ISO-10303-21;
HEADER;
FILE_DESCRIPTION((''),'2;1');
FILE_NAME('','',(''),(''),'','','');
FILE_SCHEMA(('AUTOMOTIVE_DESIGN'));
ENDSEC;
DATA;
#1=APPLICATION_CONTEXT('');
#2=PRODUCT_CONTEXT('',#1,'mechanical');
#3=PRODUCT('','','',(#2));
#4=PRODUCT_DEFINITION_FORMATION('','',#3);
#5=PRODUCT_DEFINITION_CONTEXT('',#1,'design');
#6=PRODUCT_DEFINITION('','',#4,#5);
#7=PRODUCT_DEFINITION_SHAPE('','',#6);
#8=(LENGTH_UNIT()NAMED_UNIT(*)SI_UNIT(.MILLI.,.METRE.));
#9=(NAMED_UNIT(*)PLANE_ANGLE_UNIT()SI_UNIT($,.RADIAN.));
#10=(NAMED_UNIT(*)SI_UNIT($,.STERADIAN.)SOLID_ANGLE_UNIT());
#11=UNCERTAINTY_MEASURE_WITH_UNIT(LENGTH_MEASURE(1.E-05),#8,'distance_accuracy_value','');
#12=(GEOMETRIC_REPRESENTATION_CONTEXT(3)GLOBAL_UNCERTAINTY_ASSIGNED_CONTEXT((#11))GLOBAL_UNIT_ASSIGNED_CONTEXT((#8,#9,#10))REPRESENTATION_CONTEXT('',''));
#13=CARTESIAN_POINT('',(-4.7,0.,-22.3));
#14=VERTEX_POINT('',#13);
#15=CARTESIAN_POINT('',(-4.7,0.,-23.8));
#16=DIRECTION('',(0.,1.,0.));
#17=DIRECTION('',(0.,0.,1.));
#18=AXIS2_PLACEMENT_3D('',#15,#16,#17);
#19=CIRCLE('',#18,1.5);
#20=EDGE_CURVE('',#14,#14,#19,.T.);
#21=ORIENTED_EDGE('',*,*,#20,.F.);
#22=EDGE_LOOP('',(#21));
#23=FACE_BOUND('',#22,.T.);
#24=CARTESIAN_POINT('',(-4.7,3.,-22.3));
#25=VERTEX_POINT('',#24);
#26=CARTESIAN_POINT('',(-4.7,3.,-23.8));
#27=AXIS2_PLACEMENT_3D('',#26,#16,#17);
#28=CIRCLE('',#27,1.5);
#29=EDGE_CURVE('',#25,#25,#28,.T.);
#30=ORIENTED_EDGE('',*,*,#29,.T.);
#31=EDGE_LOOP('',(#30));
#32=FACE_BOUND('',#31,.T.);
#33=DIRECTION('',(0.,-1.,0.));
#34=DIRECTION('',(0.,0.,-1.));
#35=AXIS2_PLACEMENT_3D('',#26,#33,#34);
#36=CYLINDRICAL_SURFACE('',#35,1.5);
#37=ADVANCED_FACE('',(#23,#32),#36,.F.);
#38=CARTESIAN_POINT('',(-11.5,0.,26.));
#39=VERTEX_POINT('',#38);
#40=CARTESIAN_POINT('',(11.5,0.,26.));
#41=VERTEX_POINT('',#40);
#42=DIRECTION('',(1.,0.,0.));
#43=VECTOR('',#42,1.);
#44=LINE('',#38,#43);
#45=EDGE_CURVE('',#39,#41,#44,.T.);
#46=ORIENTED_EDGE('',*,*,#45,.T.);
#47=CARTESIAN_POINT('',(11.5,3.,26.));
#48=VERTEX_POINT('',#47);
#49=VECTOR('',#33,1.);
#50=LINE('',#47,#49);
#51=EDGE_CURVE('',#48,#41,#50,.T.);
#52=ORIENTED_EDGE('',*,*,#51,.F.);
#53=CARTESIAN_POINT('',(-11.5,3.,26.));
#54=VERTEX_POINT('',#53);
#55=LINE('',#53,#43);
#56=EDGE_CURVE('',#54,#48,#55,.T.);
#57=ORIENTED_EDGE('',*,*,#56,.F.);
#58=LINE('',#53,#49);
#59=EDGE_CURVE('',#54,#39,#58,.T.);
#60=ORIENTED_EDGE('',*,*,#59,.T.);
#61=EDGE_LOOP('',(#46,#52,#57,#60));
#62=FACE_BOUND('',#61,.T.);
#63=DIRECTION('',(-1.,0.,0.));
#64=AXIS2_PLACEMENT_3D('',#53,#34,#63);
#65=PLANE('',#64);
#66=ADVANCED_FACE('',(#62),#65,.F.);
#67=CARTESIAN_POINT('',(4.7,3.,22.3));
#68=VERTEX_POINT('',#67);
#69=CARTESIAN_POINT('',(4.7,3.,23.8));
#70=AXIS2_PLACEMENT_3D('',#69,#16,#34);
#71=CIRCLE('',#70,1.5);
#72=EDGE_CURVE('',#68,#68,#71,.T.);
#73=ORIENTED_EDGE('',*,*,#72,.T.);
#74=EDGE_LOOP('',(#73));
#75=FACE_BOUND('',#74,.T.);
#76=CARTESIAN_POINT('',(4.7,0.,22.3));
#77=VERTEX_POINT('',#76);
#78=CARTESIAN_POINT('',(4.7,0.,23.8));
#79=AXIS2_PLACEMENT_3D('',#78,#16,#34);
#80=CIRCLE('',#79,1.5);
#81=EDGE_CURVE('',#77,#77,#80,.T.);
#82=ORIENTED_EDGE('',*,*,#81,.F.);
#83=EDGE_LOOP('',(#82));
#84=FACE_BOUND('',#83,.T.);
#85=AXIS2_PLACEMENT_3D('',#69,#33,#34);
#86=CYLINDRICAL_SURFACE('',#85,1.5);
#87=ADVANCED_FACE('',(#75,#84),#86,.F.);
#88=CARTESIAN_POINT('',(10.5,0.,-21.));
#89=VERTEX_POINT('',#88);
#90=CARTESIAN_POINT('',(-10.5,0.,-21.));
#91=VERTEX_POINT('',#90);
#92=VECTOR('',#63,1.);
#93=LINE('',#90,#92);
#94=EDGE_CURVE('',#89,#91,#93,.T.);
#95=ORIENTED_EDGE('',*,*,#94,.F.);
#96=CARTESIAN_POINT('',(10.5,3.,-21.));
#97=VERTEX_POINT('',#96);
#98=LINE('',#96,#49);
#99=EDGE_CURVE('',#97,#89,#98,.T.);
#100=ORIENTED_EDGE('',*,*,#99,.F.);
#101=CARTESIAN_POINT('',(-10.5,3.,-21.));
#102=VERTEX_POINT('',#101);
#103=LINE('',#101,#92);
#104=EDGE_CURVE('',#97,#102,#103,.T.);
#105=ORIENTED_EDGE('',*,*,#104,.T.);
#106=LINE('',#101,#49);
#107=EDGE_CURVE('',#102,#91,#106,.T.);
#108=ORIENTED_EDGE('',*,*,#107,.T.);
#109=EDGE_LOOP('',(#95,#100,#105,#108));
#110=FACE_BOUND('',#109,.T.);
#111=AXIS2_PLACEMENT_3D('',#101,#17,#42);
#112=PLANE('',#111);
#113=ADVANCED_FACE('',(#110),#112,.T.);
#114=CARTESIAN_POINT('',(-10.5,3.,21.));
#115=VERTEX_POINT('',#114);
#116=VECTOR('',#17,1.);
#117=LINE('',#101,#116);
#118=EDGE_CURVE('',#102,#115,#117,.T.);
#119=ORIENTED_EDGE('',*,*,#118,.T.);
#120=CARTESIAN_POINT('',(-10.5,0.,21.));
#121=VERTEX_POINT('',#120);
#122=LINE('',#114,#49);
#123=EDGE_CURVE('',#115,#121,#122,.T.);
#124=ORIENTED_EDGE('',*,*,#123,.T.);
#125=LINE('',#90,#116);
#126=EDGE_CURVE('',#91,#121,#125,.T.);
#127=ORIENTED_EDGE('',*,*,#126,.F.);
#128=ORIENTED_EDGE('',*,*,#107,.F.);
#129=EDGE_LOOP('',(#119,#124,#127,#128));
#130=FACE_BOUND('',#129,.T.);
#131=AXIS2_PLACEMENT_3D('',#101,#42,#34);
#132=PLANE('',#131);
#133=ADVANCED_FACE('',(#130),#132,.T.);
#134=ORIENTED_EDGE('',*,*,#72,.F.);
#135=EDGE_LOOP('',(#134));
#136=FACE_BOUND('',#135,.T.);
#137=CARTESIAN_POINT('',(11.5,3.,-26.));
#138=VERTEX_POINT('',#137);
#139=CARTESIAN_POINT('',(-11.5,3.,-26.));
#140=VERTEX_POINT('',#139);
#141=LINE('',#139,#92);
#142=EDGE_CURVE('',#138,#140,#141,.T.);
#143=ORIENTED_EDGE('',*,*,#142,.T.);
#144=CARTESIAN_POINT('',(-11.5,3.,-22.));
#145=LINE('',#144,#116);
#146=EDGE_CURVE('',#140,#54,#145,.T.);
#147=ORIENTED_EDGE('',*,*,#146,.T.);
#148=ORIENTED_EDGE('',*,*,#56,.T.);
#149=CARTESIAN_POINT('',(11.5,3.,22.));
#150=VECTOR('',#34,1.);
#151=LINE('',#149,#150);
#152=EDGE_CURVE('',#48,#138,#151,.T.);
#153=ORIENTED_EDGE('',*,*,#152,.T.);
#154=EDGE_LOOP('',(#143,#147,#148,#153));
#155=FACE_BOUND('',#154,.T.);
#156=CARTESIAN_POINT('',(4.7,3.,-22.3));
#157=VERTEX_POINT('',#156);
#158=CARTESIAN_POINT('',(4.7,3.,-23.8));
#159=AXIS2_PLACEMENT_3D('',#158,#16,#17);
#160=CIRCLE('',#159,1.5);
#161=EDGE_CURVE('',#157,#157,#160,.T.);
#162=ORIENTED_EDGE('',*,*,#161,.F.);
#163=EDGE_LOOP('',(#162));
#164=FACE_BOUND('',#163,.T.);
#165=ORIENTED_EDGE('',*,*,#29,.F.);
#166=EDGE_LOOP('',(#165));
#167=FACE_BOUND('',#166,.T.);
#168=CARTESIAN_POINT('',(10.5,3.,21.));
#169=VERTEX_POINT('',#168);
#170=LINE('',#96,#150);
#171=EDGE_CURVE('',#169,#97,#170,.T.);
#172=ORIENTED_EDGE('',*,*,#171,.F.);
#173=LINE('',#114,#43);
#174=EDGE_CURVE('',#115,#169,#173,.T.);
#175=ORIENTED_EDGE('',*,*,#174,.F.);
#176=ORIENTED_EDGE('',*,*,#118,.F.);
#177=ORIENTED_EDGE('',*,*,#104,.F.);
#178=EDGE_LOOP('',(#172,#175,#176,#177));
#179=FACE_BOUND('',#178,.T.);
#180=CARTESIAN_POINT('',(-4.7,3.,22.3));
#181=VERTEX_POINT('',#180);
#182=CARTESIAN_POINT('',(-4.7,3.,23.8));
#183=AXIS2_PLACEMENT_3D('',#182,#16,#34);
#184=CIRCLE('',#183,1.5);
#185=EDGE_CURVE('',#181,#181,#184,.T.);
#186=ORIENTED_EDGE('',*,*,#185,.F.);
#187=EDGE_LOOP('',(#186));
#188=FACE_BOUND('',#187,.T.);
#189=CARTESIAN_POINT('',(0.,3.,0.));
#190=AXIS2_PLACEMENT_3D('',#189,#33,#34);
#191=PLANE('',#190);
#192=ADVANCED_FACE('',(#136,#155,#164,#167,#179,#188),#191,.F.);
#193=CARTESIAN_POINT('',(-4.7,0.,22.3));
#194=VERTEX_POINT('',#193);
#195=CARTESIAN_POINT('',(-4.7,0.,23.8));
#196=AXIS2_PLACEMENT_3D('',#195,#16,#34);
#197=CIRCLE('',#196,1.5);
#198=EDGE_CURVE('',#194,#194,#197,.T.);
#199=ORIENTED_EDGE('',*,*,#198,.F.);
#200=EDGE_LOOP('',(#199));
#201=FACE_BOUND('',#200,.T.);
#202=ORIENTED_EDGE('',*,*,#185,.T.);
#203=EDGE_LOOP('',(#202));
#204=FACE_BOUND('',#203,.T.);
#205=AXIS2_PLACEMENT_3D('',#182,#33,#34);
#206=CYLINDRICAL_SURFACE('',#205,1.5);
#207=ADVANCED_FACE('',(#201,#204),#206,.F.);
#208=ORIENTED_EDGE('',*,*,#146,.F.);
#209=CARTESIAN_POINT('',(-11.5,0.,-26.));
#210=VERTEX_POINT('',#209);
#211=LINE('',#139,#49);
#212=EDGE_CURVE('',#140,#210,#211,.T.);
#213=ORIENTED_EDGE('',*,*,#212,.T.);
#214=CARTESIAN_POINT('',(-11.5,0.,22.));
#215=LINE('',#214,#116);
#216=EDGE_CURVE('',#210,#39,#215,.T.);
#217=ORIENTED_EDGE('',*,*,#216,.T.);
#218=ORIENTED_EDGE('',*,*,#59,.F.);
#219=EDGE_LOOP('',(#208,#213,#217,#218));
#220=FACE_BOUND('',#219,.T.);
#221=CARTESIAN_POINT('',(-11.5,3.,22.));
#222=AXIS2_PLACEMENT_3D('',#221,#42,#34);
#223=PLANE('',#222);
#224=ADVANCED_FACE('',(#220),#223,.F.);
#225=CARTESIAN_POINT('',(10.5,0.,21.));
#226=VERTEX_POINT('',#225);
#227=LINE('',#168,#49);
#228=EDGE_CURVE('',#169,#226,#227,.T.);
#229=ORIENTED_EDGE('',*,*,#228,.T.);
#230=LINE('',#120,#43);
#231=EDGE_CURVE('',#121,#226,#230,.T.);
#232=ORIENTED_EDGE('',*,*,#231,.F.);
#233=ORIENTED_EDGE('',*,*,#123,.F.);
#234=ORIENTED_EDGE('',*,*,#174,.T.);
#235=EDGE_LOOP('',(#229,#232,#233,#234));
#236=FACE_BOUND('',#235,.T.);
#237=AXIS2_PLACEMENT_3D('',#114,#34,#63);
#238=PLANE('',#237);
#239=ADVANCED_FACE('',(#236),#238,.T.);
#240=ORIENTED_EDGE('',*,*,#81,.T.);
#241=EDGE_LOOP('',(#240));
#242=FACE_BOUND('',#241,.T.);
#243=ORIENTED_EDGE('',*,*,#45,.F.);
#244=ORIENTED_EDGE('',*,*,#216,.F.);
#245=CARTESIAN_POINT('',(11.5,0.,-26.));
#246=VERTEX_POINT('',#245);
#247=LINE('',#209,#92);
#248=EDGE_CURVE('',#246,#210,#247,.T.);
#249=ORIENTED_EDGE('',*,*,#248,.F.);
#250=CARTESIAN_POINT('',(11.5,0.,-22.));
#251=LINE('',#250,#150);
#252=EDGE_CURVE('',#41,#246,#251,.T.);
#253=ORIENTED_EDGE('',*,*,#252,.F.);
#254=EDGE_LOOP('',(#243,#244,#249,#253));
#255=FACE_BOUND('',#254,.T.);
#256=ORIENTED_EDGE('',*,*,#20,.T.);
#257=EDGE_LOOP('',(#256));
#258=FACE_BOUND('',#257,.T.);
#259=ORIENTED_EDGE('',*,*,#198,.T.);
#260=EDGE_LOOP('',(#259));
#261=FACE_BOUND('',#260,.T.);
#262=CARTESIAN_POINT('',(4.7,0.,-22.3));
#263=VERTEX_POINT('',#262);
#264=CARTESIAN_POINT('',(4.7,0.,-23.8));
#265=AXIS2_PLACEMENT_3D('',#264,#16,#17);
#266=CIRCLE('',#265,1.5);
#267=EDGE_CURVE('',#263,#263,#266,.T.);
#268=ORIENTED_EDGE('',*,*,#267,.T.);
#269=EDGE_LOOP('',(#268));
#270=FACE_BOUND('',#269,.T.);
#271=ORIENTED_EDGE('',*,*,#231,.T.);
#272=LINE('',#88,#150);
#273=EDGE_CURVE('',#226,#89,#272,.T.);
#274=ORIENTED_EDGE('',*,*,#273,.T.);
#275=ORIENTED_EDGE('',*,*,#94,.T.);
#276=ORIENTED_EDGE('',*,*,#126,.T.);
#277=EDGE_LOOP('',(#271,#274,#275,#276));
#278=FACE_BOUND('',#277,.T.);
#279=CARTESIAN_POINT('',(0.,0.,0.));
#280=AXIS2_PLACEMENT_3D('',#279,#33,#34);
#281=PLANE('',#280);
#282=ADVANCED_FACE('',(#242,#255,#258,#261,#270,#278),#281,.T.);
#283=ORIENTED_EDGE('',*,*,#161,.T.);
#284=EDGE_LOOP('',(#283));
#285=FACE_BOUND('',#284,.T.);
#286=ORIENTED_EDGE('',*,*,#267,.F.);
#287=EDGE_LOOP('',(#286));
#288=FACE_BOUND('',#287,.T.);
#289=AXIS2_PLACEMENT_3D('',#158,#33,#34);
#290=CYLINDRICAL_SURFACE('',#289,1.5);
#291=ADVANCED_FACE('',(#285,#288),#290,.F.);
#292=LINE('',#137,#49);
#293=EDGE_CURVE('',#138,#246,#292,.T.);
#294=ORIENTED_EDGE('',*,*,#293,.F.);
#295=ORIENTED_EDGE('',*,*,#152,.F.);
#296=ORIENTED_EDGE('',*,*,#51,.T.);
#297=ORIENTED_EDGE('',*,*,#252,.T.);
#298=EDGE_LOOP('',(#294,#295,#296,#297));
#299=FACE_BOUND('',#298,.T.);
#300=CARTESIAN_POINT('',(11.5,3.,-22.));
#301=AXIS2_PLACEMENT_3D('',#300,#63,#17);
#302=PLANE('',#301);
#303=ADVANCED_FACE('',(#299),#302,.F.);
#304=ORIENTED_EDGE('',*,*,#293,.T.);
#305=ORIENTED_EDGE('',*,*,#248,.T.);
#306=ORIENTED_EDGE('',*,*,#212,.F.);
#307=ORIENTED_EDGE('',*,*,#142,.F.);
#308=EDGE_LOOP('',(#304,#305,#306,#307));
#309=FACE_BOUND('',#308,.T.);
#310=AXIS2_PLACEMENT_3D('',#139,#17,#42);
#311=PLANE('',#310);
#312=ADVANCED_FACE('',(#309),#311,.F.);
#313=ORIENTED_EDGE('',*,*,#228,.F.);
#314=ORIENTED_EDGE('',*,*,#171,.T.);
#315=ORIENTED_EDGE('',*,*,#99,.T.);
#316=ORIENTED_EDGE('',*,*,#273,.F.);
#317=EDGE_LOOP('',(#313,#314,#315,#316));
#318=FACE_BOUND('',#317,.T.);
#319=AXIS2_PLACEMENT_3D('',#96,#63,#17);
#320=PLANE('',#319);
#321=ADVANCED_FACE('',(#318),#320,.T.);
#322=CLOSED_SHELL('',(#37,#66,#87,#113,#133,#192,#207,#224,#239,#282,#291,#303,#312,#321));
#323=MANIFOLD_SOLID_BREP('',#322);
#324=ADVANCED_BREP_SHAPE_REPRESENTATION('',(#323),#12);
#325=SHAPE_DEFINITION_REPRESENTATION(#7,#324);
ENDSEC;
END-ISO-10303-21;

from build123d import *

# Parameters (mm, degrees)
SKETCH_1_R      = 1.5
SKETCH_1_W      = 21
SKETCH_1_H      = 42
EXTRUDE_1_DEPTH = 3


with BuildPart() as part:
    # 草圖1 → 填料-伸長1 (new body)
    with BuildSketch(Plane(origin=(0, 0, 0), x_dir=(1, 0, 0), z_dir=(0, 1, 0))):
        Polygon((11.5, 22), (11.5, -22), (11.5, -26), (-11.5, -26), (-11.5, -22), (-11.5, 22), (-11.5, 26), (11.5, 26), align=None)
        with Locations((-4.7, 23.8)):
            Circle(SKETCH_1_R, mode=Mode.SUBTRACT)
        with Locations((4.7, 23.8)):
            Circle(SKETCH_1_R, mode=Mode.SUBTRACT)
        with Locations((4.7, -23.8)):
            Circle(SKETCH_1_R, mode=Mode.SUBTRACT)
        with Locations((-4.7, -23.8)):
            Circle(SKETCH_1_R, mode=Mode.SUBTRACT)
        Rectangle(SKETCH_1_W, SKETCH_1_H, mode=Mode.SUBTRACT)
    extrude(amount=EXTRUDE_1_DEPTH)


solid = part.part
